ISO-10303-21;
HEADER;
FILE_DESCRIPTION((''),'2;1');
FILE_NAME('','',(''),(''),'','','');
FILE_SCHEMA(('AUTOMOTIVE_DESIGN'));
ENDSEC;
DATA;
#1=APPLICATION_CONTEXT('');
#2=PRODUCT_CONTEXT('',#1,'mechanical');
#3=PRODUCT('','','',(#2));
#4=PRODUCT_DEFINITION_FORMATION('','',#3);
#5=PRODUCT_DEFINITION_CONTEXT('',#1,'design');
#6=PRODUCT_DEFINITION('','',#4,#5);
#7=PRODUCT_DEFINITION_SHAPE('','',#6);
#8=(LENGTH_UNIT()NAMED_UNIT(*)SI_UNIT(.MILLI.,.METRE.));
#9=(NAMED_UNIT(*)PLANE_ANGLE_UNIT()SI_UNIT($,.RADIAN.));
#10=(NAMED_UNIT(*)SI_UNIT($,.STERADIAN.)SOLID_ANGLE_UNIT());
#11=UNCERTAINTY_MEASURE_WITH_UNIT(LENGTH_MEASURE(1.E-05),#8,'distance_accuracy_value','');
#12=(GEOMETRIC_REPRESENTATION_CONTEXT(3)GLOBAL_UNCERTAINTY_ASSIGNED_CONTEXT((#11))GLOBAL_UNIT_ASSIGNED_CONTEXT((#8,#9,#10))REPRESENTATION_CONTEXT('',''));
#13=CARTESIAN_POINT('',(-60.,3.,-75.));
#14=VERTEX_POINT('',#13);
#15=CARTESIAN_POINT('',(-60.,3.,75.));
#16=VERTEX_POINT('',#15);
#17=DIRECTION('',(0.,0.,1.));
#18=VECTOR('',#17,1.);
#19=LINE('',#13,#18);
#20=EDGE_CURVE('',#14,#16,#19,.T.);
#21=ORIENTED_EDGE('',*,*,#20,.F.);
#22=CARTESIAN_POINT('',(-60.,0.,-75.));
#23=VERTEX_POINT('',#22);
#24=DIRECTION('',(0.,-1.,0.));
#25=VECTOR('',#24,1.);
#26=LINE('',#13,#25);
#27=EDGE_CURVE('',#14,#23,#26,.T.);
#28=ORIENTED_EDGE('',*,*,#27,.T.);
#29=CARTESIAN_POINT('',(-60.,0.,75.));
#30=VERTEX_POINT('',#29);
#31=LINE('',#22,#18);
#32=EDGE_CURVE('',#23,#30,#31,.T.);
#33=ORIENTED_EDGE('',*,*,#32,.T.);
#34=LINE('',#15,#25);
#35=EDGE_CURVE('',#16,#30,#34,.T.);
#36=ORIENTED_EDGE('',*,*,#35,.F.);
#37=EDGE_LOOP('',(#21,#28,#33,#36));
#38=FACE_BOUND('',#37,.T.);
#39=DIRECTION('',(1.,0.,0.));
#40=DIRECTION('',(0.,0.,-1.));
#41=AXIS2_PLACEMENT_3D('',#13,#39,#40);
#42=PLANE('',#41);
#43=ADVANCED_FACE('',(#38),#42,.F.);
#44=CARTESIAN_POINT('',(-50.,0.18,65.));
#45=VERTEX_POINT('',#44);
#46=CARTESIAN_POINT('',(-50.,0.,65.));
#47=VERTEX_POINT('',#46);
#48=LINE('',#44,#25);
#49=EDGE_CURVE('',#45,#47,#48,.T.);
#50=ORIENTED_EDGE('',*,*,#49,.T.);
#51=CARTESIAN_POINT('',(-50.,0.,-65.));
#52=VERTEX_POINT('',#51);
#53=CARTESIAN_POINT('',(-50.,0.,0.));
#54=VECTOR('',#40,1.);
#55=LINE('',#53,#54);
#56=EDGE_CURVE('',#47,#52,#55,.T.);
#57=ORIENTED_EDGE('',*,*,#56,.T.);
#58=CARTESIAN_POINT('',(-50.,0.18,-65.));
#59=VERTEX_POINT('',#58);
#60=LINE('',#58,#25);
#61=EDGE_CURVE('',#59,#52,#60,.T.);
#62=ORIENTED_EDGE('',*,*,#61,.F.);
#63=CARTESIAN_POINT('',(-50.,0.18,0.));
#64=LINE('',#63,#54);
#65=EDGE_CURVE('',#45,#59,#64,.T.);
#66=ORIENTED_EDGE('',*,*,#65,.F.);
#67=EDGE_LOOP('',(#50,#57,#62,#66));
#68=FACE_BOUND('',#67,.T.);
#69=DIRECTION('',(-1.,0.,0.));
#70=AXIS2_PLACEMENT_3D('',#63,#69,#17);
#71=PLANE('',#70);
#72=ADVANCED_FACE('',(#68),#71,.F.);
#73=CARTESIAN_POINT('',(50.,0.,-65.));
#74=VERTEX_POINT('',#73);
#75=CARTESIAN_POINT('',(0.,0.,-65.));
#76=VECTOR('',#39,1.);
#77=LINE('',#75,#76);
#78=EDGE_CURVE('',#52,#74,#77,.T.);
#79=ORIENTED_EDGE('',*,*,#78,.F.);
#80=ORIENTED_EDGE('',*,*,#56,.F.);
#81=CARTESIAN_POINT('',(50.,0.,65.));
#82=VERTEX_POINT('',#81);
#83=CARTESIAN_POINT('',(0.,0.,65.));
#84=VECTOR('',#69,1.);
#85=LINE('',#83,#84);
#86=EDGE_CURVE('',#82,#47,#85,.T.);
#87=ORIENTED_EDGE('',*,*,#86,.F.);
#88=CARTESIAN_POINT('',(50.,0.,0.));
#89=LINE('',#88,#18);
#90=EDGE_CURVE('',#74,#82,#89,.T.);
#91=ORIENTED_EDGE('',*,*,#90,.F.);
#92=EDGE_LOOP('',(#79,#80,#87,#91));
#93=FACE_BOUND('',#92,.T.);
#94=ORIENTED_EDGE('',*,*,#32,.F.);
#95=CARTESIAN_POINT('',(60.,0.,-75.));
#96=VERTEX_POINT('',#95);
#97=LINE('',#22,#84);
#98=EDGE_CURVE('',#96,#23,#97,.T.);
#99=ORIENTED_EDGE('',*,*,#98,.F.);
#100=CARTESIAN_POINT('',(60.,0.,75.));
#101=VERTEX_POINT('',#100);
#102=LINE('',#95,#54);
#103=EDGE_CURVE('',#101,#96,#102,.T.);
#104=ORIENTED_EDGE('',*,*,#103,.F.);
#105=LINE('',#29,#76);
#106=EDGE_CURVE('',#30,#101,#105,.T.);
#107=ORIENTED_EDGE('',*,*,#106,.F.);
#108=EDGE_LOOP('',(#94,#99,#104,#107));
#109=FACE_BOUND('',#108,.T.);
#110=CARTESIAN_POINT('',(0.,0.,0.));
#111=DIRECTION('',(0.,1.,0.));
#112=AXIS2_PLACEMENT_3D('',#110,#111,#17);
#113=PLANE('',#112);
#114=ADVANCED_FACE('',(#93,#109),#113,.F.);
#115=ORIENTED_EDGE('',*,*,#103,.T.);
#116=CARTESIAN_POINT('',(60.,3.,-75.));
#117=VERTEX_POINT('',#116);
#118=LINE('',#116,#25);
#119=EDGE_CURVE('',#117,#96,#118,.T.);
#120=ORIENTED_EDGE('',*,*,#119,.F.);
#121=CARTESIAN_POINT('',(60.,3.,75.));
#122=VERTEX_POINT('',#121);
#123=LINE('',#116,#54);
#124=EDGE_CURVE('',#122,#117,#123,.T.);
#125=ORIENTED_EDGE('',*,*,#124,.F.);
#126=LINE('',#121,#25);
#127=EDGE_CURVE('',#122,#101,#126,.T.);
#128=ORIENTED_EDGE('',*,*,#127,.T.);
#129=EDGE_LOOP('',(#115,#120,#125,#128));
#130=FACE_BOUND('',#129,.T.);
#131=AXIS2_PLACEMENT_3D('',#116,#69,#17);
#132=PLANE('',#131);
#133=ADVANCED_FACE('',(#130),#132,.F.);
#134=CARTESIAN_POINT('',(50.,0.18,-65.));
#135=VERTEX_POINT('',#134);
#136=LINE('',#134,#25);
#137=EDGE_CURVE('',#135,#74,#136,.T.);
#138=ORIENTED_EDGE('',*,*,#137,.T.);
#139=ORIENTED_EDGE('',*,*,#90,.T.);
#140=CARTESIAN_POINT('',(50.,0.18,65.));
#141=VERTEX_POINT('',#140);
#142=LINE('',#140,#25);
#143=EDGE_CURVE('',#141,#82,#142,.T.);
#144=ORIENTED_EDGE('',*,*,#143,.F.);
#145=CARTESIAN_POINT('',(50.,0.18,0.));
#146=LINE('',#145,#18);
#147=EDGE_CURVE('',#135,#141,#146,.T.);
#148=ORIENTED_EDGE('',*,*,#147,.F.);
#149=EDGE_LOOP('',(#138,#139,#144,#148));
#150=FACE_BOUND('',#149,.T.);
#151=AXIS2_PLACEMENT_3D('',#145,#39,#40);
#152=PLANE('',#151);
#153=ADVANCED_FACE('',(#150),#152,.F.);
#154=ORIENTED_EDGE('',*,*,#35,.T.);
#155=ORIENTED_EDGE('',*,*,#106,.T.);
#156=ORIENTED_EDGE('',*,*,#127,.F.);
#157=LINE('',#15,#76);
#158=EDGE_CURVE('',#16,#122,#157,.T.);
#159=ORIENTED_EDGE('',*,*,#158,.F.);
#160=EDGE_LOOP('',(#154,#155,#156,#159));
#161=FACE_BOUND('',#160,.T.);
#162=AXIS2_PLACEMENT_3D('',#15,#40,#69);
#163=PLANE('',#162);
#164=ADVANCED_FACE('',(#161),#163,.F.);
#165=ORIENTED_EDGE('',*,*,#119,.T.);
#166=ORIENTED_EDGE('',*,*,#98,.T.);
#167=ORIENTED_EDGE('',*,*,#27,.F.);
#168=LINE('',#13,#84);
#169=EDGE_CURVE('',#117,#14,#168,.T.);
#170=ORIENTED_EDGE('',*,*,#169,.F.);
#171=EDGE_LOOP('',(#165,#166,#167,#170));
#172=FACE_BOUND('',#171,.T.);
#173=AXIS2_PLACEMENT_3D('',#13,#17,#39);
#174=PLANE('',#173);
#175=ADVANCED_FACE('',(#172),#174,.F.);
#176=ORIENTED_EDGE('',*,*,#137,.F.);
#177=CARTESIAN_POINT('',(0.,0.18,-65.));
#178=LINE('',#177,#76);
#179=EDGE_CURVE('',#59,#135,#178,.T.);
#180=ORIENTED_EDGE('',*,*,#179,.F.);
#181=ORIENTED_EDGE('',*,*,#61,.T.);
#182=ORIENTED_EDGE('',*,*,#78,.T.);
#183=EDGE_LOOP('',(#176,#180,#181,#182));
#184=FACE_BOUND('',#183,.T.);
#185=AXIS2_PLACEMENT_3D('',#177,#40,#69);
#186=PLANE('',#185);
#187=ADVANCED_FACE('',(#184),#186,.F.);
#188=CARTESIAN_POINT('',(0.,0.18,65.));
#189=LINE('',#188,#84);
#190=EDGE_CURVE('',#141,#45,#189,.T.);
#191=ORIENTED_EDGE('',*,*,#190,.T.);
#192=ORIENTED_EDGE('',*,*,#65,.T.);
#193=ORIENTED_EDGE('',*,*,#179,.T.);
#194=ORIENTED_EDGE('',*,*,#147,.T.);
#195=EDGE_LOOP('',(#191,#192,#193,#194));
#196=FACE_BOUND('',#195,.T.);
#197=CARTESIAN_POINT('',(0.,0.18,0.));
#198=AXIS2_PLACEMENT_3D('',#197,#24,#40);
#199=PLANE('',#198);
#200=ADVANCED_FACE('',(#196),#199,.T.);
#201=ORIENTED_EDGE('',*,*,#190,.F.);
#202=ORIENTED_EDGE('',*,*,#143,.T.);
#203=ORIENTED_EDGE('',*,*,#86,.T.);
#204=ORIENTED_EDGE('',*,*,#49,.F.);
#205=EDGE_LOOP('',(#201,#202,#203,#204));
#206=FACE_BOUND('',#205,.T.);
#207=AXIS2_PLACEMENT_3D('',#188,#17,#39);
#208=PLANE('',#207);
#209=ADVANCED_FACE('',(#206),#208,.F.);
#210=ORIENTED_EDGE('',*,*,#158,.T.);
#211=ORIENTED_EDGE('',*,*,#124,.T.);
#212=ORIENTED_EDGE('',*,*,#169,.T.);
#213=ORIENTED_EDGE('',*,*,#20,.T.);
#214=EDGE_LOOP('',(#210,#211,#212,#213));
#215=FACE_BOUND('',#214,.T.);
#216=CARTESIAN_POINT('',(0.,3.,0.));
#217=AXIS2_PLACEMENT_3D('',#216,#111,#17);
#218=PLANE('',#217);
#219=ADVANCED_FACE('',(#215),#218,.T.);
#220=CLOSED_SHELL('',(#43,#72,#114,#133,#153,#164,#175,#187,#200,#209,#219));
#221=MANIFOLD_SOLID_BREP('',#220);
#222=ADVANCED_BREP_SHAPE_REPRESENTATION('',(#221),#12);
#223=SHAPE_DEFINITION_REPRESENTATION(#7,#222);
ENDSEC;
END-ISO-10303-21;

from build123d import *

# Parameters (mm, degrees)
SKETCH1_W           = 120
SKETCH1_H           = 150
BOSS_EXTRUDE1_DEPTH = 3
SKETCH2_W           = 100
SKETCH2_H           = 130
CUT_EXTRUDE1_DEPTH  = 0.18


with BuildPart() as part:
    # Sketch1 → Boss-Extrude1 (new body)
    with BuildSketch(Plane(origin=(0, 0, 0), x_dir=(1, 0, 0), z_dir=(0, 1, 0))):
        Rectangle(SKETCH1_W, SKETCH1_H)
    extrude(amount=BOSS_EXTRUDE1_DEPTH)

    # Sketch2 → Cut-Extrude1 (cut)
    with BuildSketch(Plane.XZ):
        Rectangle(SKETCH2_W, SKETCH2_H)
    extrude(amount=-CUT_EXTRUDE1_DEPTH, mode=Mode.SUBTRACT)


solid = part.part
